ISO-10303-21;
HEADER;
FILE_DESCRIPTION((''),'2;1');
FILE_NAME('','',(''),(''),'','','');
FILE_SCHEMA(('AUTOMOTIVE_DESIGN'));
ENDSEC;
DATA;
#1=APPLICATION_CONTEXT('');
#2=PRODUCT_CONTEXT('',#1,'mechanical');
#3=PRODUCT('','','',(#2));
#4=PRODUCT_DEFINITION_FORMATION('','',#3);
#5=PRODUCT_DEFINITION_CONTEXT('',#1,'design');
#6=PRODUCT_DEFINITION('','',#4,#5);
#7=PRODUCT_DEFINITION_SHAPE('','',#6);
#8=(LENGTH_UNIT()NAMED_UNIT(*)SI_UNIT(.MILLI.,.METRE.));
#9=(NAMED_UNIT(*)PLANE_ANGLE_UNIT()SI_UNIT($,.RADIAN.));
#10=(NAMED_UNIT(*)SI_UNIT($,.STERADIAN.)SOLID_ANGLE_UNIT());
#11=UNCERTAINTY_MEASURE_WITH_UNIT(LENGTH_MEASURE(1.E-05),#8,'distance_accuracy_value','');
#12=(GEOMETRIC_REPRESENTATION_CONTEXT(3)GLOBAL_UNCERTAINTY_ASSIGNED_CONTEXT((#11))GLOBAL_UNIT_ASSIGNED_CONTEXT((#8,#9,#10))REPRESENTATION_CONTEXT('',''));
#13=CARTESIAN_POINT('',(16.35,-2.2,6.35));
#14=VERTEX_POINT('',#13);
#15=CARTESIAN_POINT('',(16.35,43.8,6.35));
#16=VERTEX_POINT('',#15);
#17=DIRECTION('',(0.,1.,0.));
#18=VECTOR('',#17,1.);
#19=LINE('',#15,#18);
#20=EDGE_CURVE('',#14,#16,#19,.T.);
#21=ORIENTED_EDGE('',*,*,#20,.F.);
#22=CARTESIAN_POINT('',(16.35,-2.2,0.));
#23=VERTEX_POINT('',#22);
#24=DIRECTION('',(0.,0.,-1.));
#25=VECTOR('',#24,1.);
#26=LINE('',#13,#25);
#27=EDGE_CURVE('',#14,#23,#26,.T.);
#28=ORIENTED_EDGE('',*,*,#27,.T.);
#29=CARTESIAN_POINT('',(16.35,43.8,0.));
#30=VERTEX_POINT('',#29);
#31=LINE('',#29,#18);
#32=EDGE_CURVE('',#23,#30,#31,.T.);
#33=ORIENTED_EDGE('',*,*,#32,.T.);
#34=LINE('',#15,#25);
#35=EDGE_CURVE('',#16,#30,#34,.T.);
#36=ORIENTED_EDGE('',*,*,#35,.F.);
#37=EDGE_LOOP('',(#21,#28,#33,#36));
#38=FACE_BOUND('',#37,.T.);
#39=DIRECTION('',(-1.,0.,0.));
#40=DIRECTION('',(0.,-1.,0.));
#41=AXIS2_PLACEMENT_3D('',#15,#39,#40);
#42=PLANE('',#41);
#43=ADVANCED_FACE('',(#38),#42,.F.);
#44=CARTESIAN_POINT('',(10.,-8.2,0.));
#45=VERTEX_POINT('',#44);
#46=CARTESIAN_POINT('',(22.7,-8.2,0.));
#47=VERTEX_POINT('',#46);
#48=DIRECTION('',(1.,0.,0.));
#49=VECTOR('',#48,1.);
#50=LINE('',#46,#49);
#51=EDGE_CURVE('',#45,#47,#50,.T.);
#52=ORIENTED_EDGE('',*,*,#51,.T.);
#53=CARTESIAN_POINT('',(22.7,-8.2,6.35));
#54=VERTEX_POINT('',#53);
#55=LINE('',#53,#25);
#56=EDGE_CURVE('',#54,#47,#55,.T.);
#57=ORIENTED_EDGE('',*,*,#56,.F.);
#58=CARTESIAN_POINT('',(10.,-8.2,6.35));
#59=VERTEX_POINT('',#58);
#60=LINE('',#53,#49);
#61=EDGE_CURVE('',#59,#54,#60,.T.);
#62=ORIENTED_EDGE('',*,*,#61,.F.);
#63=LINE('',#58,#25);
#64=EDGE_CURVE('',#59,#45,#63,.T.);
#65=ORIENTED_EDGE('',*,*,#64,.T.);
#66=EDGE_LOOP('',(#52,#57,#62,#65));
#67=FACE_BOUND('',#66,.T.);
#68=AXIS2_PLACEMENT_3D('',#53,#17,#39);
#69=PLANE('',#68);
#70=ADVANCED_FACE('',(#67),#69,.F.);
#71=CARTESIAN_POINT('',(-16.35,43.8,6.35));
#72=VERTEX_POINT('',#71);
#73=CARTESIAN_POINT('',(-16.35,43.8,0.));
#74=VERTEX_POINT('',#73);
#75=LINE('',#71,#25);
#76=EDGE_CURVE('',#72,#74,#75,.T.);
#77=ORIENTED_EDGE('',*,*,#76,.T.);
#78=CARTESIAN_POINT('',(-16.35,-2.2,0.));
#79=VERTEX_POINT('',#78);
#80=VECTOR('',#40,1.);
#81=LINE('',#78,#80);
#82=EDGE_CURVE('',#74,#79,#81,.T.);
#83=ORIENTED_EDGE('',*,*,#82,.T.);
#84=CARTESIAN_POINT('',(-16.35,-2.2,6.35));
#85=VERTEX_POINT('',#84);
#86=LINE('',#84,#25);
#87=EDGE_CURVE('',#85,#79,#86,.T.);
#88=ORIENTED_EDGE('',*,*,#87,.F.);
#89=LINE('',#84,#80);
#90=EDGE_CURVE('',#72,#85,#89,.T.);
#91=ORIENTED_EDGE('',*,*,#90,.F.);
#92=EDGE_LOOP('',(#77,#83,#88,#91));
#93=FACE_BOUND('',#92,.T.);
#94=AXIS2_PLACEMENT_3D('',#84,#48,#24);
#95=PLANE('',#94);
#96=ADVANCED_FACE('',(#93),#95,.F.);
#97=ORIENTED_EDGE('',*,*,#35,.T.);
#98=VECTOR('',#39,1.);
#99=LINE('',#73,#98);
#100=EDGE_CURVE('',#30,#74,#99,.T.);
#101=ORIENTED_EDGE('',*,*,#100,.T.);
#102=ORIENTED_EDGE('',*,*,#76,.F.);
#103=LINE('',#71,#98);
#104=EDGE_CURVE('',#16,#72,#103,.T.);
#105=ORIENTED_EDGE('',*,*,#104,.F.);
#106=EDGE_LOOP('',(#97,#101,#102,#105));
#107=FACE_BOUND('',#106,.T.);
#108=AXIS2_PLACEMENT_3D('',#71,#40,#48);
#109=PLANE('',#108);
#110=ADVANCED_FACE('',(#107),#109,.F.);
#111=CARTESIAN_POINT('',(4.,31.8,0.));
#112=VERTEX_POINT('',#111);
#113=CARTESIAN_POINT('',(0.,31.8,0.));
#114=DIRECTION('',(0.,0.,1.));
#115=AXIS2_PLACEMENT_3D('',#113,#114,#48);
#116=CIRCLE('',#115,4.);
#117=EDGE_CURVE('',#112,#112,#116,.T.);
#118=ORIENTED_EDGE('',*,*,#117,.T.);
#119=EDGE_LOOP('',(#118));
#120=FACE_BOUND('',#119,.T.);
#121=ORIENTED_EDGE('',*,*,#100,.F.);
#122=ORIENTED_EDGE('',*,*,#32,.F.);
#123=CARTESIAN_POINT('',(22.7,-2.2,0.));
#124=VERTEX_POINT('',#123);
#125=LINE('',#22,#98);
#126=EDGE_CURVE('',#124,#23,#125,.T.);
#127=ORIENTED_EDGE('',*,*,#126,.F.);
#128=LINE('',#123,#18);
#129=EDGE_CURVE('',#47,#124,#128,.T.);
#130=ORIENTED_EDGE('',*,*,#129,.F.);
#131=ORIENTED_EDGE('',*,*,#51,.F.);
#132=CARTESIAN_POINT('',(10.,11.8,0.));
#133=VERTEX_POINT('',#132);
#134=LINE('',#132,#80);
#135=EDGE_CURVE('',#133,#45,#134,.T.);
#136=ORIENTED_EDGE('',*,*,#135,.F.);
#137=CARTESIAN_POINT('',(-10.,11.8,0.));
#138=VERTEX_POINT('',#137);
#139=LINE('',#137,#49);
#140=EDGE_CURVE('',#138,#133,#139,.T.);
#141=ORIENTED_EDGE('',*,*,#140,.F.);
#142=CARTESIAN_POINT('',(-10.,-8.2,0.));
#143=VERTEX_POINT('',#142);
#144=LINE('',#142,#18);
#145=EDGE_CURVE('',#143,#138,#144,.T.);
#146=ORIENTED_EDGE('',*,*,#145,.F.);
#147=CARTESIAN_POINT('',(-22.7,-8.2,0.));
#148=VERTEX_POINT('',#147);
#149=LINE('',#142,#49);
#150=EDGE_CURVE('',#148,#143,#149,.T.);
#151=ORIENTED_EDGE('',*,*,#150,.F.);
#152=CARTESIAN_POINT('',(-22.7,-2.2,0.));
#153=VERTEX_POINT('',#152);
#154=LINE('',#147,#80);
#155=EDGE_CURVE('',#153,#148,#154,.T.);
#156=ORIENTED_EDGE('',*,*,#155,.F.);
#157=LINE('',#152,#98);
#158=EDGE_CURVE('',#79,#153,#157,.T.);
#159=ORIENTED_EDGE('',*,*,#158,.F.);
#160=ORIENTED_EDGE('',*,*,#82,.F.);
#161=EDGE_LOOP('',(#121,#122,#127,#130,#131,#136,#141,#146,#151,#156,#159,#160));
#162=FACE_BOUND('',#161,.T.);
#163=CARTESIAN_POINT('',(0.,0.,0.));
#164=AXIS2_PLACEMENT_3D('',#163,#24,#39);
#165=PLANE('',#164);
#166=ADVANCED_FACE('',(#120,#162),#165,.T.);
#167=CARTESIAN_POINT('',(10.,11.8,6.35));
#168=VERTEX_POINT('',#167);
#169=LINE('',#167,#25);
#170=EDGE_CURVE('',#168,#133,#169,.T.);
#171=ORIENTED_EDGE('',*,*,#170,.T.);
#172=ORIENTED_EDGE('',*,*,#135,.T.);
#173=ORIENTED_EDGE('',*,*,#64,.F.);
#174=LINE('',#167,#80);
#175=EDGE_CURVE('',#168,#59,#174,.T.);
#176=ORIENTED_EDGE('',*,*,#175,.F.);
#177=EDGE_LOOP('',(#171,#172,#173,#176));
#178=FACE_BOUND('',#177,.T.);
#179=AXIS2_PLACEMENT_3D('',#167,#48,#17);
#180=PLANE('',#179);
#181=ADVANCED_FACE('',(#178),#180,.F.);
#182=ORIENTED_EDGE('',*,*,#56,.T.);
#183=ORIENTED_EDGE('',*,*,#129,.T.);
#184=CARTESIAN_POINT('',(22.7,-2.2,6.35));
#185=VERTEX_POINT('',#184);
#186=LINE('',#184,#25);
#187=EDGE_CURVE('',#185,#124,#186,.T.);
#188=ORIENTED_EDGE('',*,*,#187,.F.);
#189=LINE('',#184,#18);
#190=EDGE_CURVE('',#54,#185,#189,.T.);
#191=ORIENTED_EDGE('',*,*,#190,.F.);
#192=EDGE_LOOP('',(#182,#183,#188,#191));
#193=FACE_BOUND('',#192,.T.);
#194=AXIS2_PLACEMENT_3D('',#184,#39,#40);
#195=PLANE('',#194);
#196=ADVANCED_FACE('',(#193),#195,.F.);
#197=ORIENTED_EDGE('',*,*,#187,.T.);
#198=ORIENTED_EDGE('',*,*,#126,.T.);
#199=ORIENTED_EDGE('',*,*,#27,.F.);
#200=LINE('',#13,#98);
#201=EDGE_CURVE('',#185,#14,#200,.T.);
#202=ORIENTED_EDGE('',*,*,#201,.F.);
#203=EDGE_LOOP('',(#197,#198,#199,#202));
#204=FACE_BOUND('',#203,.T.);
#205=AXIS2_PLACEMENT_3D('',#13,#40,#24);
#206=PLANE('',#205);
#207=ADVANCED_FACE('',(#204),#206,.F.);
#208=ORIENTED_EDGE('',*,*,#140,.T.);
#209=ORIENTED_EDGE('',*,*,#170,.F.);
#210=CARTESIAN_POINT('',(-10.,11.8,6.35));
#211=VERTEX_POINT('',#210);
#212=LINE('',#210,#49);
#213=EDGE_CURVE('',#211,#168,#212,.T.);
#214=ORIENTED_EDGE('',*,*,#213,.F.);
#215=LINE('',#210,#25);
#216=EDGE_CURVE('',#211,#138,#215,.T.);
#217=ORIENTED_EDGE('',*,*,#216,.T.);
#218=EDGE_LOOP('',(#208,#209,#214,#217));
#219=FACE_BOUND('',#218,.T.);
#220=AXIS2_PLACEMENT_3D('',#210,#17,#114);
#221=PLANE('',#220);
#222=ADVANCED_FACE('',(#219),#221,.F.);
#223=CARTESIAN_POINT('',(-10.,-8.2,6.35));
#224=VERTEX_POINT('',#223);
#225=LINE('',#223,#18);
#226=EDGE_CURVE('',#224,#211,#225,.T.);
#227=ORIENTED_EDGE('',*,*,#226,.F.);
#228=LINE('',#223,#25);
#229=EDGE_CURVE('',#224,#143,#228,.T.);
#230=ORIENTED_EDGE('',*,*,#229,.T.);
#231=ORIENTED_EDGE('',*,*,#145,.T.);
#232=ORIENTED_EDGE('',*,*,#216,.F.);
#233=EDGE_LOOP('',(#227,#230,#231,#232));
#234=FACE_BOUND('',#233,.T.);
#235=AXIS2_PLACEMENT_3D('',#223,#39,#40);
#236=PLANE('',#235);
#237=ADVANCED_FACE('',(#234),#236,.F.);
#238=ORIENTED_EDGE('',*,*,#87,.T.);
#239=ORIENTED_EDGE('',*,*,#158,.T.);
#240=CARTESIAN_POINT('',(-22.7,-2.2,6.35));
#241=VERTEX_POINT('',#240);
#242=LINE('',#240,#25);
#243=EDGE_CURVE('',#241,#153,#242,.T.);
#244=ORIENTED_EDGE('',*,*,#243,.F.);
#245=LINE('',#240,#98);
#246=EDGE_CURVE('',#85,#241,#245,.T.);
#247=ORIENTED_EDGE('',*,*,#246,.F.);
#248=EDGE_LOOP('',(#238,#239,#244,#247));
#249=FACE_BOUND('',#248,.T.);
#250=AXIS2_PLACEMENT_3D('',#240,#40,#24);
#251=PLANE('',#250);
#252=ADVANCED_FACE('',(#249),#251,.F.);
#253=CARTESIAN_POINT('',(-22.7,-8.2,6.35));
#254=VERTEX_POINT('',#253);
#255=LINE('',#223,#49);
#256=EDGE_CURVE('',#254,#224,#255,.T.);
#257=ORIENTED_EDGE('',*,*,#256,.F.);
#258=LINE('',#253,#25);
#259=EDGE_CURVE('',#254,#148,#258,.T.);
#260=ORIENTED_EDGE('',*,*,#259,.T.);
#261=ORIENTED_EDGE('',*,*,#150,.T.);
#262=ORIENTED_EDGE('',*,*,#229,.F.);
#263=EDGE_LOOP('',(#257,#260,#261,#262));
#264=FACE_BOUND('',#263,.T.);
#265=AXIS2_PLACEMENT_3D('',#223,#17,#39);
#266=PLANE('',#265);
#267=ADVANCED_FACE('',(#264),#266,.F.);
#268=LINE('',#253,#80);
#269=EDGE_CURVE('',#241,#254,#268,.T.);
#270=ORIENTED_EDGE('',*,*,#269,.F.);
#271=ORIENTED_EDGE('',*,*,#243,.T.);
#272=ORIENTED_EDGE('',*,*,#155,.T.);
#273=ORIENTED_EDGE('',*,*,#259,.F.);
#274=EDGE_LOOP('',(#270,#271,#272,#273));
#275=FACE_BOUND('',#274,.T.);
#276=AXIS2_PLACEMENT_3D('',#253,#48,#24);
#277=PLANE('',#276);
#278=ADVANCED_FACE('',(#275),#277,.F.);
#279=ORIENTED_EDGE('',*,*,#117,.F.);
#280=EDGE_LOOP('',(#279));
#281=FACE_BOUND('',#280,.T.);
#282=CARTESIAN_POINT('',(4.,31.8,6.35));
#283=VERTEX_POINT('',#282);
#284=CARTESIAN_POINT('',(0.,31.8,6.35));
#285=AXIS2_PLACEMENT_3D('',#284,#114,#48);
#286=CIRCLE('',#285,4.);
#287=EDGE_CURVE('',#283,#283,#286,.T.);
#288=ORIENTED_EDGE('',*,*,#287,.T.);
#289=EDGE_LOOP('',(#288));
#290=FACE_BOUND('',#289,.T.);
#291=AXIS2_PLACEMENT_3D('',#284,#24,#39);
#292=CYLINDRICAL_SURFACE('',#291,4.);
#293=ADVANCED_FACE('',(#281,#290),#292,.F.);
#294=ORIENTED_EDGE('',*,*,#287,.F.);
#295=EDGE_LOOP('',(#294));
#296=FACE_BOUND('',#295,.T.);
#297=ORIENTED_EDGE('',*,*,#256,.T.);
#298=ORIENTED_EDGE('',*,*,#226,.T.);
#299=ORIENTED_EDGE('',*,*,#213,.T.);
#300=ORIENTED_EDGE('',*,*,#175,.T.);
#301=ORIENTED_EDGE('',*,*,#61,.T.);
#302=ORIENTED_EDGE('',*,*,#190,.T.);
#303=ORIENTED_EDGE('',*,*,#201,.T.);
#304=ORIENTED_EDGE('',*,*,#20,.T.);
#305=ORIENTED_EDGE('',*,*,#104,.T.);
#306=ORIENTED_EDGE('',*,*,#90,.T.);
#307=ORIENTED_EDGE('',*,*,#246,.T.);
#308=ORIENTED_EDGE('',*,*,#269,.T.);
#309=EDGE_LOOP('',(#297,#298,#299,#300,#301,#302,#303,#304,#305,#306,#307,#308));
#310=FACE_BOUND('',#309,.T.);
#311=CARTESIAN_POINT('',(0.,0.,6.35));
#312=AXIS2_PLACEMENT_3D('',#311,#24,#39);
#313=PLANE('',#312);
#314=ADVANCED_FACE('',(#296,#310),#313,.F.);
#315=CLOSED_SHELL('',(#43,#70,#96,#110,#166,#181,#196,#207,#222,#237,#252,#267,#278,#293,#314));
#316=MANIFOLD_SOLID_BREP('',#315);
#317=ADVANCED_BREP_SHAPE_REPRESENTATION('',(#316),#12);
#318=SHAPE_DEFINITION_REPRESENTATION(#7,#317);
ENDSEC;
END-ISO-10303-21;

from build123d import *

# Parameters (mm, degrees)
SKETCH1_R           = 4
BOSS_EXTRUDE1_DEPTH = 6.35


with BuildPart() as part:
    # Sketch1 → Boss-Extrude1 (new body)
    with BuildSketch(Plane.XY):
        Polygon((-10, -8.2), (-10, 11.8), (10, 11.8), (10, -8.2), (22.7, -8.2), (22.7, -2.2), (16.35, -2.2), (16.35, 43.8), (-16.35, 43.8), (-16.35, -2.2), (-22.7, -2.2), (-22.7, -8.2), align=None)
        with Locations((0, 31.8)):
            Circle(SKETCH1_R, mode=Mode.SUBTRACT)
    extrude(amount=BOSS_EXTRUDE1_DEPTH)


solid = part.part
